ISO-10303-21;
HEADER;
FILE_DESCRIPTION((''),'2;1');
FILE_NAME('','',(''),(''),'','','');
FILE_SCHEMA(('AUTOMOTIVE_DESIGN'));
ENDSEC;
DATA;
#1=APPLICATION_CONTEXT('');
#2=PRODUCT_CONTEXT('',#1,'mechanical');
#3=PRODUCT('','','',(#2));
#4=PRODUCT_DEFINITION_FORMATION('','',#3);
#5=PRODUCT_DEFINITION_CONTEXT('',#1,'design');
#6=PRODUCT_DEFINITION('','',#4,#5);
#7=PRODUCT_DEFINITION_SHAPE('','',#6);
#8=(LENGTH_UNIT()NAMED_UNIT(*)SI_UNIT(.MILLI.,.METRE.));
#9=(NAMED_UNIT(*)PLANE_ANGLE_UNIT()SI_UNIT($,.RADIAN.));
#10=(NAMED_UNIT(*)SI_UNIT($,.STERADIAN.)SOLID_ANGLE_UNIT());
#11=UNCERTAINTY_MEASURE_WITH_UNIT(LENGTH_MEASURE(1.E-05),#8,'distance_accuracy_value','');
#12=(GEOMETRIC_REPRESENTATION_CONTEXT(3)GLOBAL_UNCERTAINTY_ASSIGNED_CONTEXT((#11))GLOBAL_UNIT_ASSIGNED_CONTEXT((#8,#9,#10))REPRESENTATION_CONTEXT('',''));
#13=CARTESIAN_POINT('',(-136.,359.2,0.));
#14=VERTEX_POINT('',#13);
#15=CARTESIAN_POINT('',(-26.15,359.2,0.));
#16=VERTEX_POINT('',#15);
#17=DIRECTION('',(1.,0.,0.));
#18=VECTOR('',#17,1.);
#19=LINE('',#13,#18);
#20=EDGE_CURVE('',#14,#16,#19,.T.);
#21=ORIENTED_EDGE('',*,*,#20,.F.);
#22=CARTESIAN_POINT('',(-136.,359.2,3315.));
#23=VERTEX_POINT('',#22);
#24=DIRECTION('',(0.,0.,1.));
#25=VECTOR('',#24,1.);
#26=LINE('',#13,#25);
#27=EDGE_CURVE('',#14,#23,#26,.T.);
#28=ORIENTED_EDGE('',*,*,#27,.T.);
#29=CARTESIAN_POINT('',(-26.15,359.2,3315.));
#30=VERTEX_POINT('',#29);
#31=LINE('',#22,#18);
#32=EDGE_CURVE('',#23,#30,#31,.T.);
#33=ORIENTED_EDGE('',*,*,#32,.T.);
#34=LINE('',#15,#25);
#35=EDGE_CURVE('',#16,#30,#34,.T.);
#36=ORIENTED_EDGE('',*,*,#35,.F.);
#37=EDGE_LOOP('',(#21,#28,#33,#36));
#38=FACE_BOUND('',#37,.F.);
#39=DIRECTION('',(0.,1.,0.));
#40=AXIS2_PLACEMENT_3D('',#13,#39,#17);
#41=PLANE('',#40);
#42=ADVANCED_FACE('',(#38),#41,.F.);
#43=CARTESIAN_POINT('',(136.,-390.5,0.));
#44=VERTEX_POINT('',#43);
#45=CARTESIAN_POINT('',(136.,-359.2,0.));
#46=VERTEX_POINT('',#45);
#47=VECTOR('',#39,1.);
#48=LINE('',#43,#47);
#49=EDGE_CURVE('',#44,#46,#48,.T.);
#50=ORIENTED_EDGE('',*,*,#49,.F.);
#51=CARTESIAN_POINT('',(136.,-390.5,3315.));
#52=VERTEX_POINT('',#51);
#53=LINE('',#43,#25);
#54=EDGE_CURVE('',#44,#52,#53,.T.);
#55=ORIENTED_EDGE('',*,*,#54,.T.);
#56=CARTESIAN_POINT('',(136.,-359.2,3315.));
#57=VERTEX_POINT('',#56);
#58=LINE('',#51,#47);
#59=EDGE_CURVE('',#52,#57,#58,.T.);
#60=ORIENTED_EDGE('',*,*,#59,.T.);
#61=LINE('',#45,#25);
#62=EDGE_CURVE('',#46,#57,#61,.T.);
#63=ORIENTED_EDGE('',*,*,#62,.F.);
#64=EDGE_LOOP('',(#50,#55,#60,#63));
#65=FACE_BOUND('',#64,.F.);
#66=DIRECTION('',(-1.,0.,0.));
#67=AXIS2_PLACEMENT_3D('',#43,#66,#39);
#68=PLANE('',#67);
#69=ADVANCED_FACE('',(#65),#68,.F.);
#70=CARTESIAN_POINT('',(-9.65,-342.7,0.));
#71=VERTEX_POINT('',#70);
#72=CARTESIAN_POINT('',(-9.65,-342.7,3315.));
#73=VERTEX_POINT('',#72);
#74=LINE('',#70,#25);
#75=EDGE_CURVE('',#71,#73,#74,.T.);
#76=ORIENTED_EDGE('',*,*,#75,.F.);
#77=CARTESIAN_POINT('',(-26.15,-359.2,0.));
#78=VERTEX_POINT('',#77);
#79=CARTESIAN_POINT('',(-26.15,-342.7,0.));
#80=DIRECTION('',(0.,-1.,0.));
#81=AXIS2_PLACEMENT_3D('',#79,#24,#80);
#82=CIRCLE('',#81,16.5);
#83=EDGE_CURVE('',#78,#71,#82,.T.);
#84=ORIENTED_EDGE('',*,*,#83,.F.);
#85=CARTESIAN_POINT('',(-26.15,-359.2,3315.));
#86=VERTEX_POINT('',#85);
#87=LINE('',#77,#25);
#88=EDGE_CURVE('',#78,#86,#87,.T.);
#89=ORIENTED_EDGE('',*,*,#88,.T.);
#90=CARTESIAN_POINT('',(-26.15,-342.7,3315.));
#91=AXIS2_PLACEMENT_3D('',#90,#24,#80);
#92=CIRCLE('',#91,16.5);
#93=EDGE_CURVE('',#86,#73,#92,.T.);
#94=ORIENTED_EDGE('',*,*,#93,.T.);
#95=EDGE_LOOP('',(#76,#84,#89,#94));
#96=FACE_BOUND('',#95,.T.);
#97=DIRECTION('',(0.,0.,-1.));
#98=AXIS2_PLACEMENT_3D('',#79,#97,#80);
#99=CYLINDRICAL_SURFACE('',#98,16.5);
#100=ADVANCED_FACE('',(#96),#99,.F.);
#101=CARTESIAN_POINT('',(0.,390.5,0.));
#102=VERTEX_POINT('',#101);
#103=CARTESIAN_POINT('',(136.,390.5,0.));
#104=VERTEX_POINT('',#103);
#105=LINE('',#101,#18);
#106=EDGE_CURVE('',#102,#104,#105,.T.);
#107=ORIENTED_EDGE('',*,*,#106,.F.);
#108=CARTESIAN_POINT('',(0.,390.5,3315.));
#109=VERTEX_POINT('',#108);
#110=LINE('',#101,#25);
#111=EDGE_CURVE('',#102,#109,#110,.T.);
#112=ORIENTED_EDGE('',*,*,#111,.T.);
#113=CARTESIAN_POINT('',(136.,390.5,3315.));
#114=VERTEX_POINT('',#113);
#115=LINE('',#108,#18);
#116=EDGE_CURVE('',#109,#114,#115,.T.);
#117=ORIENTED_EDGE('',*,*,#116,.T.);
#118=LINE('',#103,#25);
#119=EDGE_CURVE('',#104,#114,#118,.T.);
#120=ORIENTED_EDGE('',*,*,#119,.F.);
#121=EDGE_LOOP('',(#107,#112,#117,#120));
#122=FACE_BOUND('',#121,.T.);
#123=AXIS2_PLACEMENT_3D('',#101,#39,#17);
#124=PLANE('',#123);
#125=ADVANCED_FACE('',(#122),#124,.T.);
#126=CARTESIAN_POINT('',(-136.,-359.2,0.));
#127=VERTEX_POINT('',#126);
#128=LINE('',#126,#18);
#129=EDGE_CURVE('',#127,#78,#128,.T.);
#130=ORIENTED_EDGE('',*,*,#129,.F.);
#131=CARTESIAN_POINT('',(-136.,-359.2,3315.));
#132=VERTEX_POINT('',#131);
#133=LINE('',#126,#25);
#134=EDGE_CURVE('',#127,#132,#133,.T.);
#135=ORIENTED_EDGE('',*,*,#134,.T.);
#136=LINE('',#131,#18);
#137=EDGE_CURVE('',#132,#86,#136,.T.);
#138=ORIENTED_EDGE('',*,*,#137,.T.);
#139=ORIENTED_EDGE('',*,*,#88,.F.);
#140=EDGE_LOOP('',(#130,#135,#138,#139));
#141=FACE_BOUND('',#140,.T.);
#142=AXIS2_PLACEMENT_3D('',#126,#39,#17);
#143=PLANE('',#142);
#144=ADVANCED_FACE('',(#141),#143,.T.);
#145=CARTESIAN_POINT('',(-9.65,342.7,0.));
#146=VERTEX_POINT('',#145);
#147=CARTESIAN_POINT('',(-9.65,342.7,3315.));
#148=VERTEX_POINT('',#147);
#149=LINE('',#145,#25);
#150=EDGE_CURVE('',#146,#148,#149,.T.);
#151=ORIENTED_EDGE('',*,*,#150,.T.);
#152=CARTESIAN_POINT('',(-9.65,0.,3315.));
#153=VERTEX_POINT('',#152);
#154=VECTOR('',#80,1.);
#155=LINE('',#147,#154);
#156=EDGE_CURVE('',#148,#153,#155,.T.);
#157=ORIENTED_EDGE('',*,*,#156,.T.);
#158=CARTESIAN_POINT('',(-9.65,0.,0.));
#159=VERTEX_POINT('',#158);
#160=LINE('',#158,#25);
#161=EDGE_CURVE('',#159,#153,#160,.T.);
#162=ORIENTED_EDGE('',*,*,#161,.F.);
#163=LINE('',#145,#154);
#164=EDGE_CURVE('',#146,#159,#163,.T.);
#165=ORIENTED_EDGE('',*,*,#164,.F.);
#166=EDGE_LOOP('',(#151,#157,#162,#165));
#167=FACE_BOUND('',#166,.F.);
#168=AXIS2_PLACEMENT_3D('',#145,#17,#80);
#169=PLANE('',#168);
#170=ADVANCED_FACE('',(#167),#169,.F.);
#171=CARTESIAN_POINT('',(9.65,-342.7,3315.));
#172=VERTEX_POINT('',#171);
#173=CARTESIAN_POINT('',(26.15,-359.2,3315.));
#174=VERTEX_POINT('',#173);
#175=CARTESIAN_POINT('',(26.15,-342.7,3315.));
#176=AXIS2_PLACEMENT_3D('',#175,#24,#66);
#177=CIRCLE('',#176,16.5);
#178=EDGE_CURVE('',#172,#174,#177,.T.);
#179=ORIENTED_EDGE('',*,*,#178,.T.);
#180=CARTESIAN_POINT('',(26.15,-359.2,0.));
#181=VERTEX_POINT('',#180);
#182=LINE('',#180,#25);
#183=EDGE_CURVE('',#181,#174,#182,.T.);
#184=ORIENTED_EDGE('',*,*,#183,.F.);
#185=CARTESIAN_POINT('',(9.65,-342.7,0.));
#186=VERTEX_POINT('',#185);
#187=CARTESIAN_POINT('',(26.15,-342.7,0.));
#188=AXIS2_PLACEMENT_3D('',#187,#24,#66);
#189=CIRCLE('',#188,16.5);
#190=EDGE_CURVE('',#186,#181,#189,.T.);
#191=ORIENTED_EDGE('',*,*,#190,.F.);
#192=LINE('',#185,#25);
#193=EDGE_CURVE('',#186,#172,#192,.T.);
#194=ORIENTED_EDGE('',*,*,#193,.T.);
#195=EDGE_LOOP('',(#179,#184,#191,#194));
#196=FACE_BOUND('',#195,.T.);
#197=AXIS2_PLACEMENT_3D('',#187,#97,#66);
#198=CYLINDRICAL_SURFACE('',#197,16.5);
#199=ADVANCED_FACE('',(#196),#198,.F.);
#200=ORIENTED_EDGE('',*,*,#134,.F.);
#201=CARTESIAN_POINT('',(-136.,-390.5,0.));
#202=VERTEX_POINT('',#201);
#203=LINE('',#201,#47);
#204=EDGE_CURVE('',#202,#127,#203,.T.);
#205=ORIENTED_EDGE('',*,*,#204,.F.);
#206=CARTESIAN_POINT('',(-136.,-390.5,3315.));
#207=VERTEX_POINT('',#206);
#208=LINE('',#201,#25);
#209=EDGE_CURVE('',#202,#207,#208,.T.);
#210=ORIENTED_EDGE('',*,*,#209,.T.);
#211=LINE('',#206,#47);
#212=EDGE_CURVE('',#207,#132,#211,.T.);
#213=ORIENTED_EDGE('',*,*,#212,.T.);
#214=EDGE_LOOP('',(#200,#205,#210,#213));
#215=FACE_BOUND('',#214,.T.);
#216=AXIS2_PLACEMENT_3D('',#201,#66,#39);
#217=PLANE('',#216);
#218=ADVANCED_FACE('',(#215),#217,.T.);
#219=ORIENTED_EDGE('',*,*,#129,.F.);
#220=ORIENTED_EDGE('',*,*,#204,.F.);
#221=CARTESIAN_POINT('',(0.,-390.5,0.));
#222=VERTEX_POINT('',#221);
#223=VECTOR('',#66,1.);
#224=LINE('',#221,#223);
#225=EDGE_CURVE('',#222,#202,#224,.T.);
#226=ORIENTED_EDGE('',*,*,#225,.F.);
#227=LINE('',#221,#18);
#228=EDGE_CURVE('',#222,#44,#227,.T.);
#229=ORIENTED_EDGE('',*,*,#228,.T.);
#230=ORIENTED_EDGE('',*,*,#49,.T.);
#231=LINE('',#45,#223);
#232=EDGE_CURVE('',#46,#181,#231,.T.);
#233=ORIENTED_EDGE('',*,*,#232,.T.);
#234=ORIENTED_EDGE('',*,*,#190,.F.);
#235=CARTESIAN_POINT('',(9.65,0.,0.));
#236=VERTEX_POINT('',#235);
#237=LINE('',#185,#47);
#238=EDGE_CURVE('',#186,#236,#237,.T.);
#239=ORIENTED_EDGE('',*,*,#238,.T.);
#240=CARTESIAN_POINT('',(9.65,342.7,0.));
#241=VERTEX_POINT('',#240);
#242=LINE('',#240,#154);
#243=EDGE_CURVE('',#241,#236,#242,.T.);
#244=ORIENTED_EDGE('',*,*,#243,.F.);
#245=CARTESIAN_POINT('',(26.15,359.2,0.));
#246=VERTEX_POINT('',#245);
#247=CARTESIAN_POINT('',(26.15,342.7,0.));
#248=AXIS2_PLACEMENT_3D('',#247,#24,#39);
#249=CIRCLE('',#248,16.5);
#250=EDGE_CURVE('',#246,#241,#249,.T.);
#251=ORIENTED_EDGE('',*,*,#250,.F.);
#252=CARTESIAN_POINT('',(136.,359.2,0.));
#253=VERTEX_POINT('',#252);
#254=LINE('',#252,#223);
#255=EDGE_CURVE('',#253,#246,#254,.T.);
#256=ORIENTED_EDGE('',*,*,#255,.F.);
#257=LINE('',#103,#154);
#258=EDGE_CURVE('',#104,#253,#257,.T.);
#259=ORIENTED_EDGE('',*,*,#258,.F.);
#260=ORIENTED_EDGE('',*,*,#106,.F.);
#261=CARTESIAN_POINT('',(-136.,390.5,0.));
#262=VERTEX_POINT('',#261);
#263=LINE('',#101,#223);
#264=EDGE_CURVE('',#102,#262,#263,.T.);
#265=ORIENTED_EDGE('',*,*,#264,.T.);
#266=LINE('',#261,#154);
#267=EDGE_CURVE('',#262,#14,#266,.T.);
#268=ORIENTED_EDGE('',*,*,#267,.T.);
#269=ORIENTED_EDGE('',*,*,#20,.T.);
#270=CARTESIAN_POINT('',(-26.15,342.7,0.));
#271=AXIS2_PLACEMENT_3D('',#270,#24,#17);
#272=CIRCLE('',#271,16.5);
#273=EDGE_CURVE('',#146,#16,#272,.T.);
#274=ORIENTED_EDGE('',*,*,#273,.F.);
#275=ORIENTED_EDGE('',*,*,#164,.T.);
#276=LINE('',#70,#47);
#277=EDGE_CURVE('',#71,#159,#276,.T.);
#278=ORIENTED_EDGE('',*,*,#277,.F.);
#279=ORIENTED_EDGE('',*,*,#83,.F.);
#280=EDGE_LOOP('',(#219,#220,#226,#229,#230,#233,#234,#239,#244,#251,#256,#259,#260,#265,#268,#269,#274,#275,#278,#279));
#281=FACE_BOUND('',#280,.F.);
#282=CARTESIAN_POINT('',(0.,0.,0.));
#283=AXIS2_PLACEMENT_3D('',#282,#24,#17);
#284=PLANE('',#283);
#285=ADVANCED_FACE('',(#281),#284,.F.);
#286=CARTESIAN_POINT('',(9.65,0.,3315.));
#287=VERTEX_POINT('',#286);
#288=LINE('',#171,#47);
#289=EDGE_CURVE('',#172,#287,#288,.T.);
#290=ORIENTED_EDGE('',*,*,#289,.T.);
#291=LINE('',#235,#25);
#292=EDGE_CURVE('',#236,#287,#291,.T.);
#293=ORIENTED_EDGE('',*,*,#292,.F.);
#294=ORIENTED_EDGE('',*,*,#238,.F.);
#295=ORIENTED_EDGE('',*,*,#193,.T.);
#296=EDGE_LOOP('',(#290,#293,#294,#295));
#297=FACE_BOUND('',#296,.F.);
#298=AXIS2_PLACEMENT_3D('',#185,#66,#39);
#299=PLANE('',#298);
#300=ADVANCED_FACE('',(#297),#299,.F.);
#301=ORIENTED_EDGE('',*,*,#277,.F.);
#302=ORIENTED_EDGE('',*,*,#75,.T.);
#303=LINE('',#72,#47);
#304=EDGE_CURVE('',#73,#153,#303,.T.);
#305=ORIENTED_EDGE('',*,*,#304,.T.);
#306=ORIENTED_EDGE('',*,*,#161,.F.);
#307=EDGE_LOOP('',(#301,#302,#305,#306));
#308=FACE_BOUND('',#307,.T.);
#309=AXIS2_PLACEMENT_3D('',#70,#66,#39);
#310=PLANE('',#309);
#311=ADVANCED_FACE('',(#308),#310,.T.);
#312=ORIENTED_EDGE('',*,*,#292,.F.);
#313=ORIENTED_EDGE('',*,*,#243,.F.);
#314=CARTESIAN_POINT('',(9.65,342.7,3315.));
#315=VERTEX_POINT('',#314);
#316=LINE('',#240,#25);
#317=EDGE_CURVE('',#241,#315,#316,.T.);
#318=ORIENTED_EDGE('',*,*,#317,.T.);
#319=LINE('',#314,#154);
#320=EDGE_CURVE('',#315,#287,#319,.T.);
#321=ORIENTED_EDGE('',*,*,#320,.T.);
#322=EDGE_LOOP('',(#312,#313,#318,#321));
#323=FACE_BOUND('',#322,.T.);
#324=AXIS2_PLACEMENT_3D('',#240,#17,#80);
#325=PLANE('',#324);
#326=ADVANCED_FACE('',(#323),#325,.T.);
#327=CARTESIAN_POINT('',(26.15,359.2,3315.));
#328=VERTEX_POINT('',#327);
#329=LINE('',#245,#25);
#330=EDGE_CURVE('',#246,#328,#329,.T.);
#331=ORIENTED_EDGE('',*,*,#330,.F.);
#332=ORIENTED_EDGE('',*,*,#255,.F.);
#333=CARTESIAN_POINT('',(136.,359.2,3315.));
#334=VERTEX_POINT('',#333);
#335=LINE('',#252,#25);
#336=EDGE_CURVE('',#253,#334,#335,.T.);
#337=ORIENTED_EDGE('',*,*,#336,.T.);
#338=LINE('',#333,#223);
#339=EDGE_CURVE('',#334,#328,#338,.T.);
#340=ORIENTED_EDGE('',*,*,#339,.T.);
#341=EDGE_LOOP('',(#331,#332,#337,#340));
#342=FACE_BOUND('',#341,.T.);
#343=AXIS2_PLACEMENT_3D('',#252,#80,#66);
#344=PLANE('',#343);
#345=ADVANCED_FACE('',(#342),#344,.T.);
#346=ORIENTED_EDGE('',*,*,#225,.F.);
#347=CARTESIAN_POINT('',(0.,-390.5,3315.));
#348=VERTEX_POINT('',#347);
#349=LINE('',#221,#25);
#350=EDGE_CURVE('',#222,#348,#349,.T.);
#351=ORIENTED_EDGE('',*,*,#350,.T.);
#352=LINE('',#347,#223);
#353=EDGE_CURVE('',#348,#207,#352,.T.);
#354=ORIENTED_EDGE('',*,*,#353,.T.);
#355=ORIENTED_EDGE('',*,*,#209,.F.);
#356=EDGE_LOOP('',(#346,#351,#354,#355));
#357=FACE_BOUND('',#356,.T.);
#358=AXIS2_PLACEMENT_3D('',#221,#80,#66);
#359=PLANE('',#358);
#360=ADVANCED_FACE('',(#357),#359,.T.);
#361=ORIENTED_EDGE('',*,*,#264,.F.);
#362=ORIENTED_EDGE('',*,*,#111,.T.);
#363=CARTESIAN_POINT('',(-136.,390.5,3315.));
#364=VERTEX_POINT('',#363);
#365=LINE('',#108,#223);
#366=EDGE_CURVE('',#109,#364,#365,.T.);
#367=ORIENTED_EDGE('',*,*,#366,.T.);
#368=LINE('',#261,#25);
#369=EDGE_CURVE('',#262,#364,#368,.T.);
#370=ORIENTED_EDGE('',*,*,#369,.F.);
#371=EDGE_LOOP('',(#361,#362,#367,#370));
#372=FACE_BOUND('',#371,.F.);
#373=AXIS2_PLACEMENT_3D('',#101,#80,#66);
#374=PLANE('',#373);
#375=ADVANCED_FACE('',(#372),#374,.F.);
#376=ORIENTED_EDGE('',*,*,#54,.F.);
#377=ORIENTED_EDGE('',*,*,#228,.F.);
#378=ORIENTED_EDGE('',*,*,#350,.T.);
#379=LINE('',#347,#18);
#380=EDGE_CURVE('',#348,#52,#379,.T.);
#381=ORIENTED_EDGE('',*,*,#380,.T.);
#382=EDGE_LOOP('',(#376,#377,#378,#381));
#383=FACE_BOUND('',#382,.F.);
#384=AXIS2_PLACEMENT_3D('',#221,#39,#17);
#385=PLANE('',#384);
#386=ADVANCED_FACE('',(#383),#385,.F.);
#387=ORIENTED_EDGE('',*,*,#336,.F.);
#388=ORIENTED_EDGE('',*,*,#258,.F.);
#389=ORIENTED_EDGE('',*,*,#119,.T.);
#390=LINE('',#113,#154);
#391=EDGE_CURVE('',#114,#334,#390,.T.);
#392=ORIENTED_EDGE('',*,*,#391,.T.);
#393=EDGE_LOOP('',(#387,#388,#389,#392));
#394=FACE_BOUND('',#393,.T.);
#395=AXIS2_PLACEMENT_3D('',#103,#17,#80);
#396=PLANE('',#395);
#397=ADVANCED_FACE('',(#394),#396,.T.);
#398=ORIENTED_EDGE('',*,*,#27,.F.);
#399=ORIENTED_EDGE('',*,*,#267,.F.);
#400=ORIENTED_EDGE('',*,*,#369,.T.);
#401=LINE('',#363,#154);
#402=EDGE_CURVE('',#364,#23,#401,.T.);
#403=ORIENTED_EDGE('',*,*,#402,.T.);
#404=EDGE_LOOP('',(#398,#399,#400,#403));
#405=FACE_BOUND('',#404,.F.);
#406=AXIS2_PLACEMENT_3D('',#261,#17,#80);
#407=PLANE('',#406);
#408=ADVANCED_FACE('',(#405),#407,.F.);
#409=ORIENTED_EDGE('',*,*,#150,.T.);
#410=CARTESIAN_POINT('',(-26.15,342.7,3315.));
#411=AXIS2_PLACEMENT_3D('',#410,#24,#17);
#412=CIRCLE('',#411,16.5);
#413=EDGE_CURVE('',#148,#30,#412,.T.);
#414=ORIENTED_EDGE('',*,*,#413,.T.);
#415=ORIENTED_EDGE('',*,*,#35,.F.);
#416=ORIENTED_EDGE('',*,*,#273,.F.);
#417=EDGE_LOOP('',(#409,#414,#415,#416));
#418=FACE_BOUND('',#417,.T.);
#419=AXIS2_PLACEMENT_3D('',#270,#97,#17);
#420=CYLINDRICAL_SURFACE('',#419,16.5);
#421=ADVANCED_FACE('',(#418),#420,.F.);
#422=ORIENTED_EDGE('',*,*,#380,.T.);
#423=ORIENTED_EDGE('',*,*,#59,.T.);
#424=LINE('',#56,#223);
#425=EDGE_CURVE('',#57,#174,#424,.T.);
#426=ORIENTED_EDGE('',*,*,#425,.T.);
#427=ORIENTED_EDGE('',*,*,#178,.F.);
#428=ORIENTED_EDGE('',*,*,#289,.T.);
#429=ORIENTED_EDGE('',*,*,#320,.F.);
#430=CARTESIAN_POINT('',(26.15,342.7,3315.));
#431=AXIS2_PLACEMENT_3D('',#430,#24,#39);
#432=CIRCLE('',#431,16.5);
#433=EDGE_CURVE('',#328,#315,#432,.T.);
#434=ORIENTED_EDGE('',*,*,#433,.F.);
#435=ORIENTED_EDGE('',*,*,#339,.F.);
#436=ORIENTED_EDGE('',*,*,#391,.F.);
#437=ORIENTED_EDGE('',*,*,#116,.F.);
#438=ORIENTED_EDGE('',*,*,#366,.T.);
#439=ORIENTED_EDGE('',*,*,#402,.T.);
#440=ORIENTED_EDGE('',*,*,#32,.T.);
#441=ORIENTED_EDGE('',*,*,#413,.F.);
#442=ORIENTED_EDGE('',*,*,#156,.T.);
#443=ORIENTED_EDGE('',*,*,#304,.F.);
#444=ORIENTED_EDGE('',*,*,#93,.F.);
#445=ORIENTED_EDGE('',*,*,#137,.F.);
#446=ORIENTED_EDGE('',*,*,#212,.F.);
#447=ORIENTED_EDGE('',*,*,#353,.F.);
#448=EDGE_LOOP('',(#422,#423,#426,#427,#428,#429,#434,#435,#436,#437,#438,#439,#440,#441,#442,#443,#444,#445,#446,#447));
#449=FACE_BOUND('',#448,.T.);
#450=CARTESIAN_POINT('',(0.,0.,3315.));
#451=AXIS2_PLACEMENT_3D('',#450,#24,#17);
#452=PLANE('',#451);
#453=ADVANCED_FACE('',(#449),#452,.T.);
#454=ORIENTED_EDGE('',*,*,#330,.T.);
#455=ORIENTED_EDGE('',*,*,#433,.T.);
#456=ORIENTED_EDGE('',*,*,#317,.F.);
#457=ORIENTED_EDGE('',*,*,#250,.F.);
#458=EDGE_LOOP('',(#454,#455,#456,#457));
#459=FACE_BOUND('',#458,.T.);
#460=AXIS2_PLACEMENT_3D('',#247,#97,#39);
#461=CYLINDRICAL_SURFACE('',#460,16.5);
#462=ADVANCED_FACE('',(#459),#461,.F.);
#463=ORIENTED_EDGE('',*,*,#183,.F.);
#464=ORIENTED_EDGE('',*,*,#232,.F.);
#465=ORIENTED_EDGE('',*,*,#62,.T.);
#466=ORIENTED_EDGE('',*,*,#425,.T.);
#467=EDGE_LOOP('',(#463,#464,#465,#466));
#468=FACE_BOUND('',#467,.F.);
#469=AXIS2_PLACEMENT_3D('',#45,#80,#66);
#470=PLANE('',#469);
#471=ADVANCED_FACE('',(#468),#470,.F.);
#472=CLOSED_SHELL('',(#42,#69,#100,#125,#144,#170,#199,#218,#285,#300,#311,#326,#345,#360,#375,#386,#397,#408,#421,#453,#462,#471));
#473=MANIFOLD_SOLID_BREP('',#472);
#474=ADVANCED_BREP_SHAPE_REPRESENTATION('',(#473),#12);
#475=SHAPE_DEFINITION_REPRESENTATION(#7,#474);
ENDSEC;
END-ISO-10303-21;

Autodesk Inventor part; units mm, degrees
ref_plane "YZ Plane" through (0, 0, 0) normal (1, 0, 0) x (0, 1, 0)
ref_plane "Start plane" through (0, 0, 0) normal (0, 0, 1) x (1, 0, 0)
ref_plane "End plane" through (0, 0, 3315) normal (0, 0, 1) x (1, 0, 0)
sketch "Sketch" plane through (0, 0, 0) normal (0, 0, 1) x (1, 0, 0)
  line L0 (-136, -390.5) -> (-136, -359.2)
  line L1 (-136, -359.2) -> (-26.15, -359.2)
  line L2 (-9.65, -342.7) -> (-9.65, 0)
  line L3 (-9.65, 0) -> (0, 0) construction
  line L4 (0, 0) -> (0, -390.5) construction
  line L5 (0, -390.5) -> (-136, -390.5)
  line L6 (-60, 0) -> (80, 0) construction
  line L7 (0, -60) -> (0, 80) construction
  line L8 (136, -390.5) -> (136, -359.2)
  line L9 (136, -359.2) -> (26.15, -359.2)
  line L10 (9.65, -342.7) -> (9.65, 0)
  line L11 (9.65, 0) -> (0, 0) construction
  line L12 (0, -390.5) -> (136, -390.5)
  line L13 (-136, 390.5) -> (-136, 359.2)
  line L14 (-136, 359.2) -> (-26.15, 359.2)
  line L15 (-9.65, 342.7) -> (-9.65, 0)
  line L16 (0, 390.5) -> (-136, 390.5)
  line L17 (136, 390.5) -> (136, 359.2)
  line L18 (136, 359.2) -> (26.15, 359.2)
  line L19 (0, 390.5) -> (136, 390.5)
  line L20 (9.65, 342.7) -> (9.65, 0)
  arc A0 (-9.65, 342.7) -> (-26.15, 359.2) centre (-26.15, 342.7) ccw
  arc A1 (26.15, 359.2) -> (9.65, 342.7) centre (26.15, 342.7) ccw
  arc A2 (9.65, -342.7) -> (26.15, -359.2) centre (26.15, -342.7) ccw
  arc A3 (-26.15, -359.2) -> (-9.65, -342.7) centre (-26.15, -342.7) ccw
  line L21 (0, 108) -> (0, -88) construction
  line L22 (-88, 0) -> (108, 0) construction
  point P0 (-9.65, -359.2)
  point P1 (9.65, -359.2)
  point P2 (-9.65, 359.2)
  point P3 (9.65, 359.2)
  dimension "d1" = 390.5
  dimension "d2" = 31.3
  dimension "d3" = 136
  dimension "d4" = 9.65
  dimension "d10" = 16.5
extrude "Body" add sketch "Sketch" along normal up to surface (3315 mm away) from surface at 0
sketch "Sketch4" plane through (0, 0, 0) normal (0, 0, 1) x (1, 0, 0)
  line L0 (0, 0) -> (10, 0)
ref_plane "Work Plane3" through (0, 0, 0) normal (0, -1, 0) x (1, 0, 0)
sketch "Sketch5" plane through (0, 0, 0) normal (0, -1, 0) x (1, 0, 0)
  line L0 (-2, 0) -> (12, 0) projected
  line L1 (-2, 3315) -> (12, 3315) projected
  dimension "d14" = 3315
equation "\"d1\" = 0.5 * G_H"
equation "\"d2\" = G_T1"
equation "\"d3\" = 0.5 * G_W"
equation "\"d4\" = 0.5 * G_T"
equation "\"d10\" = G_IR"
equation "\"d5\" = G_L"
equation "\"G_W\" = 272"
equation "\"G_H\" = 781"
equation "\"G_T\" = 19.3"
equation "\"G_T1\" = 31.3"
equation "\"G_IR\" = 16.5"
equation "\"G_L\" = d14"
equation "\"G_OFFSET_START\" = 0"
equation "\"G_OFFSET_END\" = 0"
equation "\"d12\" = G_OFFSET_END + B_L"
equation "\"B_L\" = 3315"
properties part number "AS 3679-1990 - 760 UB - 244 - 3315" material "Steel, Mild"
